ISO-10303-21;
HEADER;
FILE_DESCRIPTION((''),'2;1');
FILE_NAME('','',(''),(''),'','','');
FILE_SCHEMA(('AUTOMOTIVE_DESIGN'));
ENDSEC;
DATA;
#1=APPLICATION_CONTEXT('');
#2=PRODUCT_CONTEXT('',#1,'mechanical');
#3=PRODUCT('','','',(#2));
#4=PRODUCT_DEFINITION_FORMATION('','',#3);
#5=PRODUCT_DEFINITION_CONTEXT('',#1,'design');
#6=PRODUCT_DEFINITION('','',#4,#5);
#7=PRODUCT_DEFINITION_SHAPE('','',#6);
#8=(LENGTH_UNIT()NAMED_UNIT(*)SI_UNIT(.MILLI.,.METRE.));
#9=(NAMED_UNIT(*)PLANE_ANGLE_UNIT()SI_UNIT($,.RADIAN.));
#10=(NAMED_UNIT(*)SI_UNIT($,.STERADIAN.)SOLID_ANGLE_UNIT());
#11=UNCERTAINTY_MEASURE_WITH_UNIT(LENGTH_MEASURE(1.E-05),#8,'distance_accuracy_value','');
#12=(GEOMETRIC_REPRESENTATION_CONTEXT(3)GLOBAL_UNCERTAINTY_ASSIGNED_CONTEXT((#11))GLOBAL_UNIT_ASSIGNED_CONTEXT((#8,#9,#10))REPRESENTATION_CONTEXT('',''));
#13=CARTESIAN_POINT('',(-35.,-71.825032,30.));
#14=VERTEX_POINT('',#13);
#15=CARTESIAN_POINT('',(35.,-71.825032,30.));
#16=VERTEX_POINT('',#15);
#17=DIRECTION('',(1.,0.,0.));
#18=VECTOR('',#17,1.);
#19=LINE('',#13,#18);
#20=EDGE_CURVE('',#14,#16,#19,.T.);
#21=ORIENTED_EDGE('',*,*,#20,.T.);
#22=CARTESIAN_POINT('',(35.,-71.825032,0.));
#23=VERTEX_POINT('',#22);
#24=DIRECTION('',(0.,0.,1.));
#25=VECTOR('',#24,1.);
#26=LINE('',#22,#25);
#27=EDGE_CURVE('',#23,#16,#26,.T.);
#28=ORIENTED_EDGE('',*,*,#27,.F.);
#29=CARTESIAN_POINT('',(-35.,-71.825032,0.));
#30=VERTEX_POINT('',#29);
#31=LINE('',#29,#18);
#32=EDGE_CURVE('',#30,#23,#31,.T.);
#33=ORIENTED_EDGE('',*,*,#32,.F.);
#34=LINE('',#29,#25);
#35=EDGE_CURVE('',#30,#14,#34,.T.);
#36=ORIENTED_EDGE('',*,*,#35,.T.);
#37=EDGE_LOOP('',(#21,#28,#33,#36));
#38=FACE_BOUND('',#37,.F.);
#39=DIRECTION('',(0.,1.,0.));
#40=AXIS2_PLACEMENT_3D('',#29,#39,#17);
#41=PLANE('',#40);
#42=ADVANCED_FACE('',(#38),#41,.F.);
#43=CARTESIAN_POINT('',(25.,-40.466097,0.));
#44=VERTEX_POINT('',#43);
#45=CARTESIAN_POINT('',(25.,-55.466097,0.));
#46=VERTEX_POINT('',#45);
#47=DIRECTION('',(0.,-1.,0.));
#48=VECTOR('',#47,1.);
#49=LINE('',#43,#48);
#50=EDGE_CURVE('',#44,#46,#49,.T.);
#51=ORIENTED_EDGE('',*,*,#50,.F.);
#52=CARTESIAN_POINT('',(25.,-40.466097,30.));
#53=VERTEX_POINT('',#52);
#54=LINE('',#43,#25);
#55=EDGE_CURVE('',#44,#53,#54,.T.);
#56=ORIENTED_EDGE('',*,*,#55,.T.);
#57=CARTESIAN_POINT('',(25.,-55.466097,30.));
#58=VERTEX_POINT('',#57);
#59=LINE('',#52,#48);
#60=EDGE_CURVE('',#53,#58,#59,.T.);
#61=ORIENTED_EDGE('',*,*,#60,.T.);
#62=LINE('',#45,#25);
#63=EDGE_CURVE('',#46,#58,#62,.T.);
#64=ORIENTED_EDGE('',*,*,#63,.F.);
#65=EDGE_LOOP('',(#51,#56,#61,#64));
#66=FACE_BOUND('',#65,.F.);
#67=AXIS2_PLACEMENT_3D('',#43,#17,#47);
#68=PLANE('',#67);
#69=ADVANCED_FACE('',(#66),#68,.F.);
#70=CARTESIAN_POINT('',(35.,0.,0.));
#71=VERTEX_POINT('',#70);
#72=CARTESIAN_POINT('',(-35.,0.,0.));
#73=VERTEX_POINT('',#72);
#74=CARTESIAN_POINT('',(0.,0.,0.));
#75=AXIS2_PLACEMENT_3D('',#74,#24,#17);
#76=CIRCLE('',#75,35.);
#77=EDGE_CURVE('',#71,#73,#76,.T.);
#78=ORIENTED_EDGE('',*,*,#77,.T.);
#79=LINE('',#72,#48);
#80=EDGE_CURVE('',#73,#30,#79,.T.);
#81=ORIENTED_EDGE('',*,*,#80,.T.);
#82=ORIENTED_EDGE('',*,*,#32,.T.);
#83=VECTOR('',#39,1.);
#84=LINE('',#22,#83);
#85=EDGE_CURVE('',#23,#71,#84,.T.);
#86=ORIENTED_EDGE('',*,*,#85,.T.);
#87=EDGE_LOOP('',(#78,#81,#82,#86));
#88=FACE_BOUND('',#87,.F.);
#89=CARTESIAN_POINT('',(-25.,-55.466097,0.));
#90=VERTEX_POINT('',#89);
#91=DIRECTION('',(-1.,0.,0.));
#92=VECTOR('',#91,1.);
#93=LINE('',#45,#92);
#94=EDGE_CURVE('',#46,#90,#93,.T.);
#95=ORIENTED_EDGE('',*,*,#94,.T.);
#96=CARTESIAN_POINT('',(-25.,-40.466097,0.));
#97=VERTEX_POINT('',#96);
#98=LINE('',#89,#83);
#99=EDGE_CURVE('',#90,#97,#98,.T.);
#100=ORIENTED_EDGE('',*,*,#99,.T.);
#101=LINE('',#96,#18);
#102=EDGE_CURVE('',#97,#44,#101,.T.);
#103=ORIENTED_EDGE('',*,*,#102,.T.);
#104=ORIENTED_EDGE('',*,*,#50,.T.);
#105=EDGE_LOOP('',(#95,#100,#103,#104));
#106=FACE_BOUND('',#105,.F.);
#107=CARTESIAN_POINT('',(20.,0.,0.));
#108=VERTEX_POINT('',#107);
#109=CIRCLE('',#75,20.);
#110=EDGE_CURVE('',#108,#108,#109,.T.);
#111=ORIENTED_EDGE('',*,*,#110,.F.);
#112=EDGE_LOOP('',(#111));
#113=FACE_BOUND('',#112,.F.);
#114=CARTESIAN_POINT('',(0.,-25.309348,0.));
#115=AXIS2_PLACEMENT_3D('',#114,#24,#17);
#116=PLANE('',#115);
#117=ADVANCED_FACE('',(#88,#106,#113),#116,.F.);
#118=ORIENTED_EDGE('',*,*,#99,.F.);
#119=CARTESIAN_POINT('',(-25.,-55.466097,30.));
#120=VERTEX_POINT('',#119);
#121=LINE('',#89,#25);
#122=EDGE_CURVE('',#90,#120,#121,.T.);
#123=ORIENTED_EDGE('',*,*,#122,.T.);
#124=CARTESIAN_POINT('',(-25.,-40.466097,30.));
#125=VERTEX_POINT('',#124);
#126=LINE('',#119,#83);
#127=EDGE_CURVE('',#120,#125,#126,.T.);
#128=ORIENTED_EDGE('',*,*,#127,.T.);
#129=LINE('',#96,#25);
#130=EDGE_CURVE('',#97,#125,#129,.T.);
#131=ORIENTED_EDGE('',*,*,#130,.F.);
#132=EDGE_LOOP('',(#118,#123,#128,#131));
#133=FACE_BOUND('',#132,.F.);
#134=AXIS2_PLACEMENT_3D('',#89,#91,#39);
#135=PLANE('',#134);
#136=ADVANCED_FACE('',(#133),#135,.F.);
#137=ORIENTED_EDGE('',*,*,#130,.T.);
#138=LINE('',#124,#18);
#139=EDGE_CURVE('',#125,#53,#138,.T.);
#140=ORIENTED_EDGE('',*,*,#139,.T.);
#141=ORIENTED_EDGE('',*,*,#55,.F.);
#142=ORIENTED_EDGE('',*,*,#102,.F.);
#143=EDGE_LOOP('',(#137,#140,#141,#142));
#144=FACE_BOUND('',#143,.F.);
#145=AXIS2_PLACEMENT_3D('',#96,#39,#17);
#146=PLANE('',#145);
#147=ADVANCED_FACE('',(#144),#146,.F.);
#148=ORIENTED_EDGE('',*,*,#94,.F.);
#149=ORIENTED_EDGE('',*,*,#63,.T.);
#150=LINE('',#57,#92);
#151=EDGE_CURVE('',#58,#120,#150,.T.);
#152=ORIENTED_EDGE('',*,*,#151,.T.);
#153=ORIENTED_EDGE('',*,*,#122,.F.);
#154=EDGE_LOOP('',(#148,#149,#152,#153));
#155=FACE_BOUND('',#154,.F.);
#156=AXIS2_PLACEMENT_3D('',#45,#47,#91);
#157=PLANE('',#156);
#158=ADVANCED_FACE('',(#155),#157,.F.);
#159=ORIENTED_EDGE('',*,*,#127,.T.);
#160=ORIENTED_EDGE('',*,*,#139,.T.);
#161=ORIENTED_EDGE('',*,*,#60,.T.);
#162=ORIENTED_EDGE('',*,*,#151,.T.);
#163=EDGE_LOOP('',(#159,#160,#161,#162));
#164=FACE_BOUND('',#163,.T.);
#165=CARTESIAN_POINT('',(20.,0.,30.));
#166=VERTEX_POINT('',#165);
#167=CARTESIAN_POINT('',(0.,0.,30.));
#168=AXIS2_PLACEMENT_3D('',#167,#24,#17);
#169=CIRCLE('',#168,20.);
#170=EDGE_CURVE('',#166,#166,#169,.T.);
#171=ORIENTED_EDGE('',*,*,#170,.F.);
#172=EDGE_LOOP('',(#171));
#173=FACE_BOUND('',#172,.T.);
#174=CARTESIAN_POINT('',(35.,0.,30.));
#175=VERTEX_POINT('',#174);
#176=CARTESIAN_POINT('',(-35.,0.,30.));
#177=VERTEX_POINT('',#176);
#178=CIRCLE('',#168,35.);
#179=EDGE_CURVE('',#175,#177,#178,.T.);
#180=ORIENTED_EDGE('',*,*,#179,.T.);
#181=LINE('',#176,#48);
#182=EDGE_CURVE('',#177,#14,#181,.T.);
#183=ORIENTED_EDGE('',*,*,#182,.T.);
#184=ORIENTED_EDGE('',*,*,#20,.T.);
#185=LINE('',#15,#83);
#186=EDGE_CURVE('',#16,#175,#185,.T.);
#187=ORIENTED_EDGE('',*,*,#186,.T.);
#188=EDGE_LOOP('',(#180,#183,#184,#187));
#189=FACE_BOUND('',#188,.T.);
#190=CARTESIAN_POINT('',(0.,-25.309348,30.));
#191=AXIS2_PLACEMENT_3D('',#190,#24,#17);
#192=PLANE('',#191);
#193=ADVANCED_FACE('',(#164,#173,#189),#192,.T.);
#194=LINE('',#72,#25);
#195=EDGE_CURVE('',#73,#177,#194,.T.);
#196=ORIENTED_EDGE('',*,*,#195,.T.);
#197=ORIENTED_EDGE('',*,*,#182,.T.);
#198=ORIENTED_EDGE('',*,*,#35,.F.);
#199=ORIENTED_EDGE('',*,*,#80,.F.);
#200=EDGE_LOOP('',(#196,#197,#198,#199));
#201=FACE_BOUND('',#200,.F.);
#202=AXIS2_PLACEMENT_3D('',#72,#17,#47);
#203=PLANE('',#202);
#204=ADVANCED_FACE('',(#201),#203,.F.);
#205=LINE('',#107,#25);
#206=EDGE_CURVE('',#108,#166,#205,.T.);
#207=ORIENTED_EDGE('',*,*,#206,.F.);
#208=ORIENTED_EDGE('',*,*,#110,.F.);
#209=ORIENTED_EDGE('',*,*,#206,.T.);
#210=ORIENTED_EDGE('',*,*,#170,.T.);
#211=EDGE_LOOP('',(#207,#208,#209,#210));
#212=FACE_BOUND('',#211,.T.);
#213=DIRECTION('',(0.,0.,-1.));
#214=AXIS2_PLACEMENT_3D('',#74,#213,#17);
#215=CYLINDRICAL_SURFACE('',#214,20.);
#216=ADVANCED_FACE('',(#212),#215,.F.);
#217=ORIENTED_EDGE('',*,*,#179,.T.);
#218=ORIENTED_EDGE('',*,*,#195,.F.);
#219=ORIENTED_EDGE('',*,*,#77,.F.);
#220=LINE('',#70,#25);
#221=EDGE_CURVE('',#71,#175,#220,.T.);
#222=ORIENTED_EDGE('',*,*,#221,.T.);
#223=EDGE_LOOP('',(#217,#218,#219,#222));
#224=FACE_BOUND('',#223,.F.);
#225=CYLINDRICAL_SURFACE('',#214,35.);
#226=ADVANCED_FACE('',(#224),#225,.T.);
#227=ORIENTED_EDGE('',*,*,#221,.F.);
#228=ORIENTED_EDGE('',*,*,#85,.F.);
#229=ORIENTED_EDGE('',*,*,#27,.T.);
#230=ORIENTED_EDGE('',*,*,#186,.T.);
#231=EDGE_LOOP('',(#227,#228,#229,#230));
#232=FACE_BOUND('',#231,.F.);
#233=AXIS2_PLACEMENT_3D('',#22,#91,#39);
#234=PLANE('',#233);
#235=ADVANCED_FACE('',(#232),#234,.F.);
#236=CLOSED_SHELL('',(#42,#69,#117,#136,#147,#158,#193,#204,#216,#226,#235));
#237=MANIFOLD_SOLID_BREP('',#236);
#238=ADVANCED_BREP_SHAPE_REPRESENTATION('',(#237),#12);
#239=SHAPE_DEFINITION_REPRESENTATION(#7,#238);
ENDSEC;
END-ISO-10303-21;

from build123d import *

# Parameters (mm, degrees)
F0_R     = 20
F1_DEPTH = 30


with BuildPart() as f1:
    # F0 (on Top) → F1 (new body)
    with BuildSketch(Plane.XY):
        with BuildLine():
            Line((35, -71.825032), (35, 0))
            ThreePointArc((35, 0), (0, 35), (-35, 0))
            Line((-35, 0), (-35, -71.825032))
            Line((-35, -71.825032), (35, -71.825032))
        make_face()
        Polygon((-25, -40.466097), (0, -40.466097), (25, -40.466097), (25, -55.466097), (-25, -55.466097), align=None, mode=Mode.SUBTRACT)
        Circle(F0_R, mode=Mode.SUBTRACT)
    extrude(amount=F1_DEPTH)


solid = f1.part
